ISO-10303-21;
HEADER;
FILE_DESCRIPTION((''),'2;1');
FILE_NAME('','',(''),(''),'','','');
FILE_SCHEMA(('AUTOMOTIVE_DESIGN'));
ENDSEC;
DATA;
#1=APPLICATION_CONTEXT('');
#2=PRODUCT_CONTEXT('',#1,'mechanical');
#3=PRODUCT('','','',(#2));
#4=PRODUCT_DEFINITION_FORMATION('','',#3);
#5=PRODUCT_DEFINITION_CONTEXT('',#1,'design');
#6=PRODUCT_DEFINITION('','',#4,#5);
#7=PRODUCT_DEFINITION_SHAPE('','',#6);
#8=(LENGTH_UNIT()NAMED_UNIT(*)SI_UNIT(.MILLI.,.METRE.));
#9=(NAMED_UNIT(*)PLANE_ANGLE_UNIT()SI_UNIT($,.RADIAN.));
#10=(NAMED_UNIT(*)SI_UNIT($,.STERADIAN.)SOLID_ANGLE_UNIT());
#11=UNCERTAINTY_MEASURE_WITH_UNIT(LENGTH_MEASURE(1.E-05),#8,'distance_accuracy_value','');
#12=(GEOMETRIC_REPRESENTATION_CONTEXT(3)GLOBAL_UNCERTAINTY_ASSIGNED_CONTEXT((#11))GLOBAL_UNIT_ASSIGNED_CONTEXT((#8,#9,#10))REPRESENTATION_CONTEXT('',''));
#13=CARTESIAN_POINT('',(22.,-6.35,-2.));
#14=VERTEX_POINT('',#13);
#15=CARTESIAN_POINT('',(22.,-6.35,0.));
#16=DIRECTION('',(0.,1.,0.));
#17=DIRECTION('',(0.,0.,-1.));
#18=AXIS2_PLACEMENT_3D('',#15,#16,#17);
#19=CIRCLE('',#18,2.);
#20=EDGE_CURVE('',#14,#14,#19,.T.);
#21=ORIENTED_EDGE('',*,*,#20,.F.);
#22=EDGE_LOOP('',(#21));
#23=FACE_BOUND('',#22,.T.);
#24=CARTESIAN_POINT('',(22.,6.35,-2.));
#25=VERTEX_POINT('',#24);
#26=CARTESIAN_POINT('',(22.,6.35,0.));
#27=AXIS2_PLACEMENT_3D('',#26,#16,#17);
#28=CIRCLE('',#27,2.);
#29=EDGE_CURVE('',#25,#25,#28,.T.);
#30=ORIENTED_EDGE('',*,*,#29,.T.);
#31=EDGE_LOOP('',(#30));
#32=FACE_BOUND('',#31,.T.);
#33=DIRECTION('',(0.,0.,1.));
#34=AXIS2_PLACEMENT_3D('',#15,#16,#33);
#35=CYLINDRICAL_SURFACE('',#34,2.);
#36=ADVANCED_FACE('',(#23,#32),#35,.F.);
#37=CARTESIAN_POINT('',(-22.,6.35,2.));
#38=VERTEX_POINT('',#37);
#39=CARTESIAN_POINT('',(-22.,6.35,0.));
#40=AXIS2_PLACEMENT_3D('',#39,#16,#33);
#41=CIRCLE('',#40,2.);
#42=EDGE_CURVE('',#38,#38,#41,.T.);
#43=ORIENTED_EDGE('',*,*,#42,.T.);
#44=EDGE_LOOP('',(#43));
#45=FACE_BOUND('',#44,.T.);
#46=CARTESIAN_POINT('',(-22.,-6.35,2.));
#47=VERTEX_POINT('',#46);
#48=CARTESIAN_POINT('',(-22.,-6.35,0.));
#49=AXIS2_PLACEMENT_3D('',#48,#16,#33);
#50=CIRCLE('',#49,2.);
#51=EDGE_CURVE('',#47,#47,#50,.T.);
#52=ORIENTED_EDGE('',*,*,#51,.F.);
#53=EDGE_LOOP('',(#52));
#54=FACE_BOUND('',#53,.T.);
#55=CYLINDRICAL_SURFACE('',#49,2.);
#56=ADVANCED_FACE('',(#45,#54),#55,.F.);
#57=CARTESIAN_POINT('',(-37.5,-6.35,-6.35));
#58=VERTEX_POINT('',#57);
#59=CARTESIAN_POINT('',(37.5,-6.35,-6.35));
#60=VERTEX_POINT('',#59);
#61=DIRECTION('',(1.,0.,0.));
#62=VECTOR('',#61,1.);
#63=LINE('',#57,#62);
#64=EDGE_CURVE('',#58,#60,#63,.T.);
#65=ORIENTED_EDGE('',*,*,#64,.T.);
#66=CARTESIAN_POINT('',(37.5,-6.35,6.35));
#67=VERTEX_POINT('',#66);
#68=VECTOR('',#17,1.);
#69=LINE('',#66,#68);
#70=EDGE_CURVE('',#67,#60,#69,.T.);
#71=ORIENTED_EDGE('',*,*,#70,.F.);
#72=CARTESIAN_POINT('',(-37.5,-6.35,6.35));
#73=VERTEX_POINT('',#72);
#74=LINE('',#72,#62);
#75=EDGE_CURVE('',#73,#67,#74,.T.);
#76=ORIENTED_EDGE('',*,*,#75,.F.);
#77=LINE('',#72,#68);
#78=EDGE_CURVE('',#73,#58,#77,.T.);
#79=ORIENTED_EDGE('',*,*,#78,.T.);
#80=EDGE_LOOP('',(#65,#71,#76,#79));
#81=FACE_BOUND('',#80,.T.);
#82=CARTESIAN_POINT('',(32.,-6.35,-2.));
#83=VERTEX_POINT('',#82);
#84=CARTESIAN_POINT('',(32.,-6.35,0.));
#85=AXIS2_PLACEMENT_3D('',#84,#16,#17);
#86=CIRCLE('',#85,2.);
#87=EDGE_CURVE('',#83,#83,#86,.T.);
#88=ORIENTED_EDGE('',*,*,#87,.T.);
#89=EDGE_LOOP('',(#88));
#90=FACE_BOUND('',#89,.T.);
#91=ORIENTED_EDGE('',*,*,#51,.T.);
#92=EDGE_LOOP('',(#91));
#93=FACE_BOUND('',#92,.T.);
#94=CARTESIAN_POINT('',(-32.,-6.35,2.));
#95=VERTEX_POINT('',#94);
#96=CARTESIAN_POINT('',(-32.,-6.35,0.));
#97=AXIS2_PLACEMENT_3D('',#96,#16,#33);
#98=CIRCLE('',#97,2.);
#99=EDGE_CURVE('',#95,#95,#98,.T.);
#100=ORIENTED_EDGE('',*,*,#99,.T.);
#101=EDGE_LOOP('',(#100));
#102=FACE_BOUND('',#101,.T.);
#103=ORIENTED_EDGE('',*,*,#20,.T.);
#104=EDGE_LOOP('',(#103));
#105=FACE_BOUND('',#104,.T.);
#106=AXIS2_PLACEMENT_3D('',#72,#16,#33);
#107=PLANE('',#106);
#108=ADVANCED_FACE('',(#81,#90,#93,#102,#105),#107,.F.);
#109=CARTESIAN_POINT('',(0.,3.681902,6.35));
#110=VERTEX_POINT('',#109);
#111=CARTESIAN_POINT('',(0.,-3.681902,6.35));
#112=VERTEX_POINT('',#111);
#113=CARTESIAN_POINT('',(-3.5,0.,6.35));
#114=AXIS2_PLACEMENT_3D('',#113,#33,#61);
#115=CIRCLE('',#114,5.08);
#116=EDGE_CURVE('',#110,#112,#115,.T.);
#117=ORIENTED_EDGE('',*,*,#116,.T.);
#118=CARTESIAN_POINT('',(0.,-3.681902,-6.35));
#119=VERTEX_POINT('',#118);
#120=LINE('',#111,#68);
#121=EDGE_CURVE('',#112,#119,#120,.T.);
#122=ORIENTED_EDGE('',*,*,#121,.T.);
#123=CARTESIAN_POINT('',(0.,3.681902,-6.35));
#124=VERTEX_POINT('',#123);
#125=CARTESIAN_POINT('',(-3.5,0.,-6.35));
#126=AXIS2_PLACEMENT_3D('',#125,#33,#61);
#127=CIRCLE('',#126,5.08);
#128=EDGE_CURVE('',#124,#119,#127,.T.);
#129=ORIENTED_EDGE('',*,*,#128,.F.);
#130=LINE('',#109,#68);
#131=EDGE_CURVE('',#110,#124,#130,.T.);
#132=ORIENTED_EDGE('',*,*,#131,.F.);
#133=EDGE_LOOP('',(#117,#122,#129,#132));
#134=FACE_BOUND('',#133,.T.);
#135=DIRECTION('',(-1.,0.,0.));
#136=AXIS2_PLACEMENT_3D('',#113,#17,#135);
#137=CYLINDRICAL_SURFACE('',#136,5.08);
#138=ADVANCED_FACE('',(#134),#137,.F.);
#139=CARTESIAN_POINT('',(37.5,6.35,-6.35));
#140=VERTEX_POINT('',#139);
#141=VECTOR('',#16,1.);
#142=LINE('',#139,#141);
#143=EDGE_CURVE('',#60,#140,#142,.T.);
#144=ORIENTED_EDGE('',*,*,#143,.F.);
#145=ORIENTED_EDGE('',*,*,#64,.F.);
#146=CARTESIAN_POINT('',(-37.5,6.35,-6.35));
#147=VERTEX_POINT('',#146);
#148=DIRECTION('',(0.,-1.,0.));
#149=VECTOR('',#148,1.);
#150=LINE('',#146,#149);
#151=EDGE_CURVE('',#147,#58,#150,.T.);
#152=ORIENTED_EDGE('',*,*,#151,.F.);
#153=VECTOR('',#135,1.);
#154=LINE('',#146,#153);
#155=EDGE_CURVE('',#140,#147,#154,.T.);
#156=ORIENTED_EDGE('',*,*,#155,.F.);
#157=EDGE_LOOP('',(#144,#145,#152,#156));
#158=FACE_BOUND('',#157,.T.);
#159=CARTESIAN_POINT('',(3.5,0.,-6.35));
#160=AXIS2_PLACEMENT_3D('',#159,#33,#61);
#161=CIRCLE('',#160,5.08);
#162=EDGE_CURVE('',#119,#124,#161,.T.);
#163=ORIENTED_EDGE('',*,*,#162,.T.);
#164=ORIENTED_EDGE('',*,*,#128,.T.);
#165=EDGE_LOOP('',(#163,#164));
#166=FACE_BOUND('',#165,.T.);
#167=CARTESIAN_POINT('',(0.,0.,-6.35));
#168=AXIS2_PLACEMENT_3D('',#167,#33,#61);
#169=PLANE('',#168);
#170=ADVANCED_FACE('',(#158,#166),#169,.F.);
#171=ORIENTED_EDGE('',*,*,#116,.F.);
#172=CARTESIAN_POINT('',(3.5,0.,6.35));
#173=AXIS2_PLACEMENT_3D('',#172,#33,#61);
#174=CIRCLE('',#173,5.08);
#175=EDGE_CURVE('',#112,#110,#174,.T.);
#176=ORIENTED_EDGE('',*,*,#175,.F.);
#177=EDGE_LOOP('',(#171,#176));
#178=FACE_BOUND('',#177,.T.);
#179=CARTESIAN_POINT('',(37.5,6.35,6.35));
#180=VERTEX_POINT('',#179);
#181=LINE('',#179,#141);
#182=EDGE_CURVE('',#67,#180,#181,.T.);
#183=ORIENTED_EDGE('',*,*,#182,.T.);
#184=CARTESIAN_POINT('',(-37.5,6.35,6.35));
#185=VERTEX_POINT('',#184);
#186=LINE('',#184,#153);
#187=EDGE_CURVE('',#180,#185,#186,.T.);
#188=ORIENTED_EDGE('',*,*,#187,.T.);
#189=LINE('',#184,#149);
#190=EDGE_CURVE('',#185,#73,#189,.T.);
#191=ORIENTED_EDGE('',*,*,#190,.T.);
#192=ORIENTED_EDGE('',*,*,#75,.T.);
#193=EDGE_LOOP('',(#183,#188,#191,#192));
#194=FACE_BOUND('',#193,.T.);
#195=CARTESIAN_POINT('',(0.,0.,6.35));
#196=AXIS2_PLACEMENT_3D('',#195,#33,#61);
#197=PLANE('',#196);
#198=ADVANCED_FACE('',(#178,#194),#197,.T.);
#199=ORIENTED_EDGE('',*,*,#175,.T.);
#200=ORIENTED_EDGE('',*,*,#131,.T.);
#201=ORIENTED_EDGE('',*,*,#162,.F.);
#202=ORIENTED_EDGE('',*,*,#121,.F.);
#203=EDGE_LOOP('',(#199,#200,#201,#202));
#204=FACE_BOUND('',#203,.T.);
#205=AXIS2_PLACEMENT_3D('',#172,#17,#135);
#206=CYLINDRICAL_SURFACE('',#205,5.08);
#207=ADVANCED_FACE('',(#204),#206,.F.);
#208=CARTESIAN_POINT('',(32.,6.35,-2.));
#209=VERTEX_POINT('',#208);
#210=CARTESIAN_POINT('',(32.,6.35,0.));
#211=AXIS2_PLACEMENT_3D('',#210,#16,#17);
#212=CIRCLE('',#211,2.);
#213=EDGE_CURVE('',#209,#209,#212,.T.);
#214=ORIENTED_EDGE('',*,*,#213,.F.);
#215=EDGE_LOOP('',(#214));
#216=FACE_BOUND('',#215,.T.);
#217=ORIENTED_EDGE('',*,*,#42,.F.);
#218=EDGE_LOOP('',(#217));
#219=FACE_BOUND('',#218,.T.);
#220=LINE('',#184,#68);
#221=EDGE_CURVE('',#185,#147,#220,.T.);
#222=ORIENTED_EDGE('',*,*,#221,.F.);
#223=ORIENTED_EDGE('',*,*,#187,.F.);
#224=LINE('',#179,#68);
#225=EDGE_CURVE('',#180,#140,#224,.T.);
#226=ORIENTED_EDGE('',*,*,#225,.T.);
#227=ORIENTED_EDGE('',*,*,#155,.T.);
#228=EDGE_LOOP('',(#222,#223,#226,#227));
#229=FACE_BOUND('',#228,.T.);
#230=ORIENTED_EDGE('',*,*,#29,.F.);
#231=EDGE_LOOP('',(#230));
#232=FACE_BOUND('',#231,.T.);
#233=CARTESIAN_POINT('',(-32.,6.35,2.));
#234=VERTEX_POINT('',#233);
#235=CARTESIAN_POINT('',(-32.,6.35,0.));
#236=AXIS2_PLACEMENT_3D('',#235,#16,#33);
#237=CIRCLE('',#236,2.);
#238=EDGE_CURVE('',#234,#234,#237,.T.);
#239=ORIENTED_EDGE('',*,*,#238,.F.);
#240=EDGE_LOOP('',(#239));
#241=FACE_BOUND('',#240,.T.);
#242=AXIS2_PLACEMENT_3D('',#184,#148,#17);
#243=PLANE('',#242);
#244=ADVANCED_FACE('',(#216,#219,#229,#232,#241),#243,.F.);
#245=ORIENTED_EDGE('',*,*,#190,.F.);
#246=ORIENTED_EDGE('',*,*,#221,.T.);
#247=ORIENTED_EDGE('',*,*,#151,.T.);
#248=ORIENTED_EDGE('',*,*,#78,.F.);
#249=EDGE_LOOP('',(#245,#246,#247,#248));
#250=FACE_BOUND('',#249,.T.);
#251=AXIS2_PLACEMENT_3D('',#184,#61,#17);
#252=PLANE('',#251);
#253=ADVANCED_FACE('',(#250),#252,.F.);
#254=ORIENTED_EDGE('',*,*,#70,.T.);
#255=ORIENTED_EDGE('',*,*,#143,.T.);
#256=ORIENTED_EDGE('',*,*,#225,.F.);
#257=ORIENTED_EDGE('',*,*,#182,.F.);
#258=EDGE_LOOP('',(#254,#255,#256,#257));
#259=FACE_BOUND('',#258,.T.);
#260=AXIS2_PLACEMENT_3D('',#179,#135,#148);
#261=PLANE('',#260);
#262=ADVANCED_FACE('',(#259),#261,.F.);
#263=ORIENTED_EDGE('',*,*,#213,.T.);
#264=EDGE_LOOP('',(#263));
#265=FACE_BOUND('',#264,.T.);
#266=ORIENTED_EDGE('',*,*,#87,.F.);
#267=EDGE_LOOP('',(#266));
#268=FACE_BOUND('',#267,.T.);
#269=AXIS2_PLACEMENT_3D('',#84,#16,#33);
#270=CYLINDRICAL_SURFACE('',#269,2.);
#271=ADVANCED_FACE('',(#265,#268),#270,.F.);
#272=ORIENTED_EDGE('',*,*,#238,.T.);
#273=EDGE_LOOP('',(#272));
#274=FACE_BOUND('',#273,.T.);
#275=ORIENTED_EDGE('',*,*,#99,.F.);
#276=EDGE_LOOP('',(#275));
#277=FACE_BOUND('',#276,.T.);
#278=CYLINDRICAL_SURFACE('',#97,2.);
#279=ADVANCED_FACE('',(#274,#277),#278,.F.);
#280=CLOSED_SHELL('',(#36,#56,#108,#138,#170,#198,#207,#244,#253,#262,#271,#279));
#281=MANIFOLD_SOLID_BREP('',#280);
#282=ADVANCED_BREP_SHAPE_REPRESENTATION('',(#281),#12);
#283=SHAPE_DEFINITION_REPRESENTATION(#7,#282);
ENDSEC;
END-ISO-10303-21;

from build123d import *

# Parameters (mm, degrees)
SKETCH1_W               = 75
SKETCH1_H               = 12.7
LOADCELL_DEPTH          = 6.35
SKETCH2_R               = 2
CUT_EXTRUDE1_DEPTH      = 7.35
CUT_EXTRUDE1_DEPTH_BACK = 7.35


with BuildPart() as part:
    # Sketch1 → LoadCell (new body, symmetric)
    with BuildSketch(Plane.XY):
        Rectangle(SKETCH1_W, SKETCH1_H)
        with BuildLine():
            ThreePointArc((0, 3.681901683), (-8.58, 0), (0, -3.681901683))
            ThreePointArc((0, -3.681901683), (8.58, 0), (0, 3.681901683))
        make_face(mode=Mode.SUBTRACT)
    extrude(amount=LOADCELL_DEPTH, both=True)

    # Sketch2 → Cut-Extrude1 (cut, two sides)
    with BuildSketch(Plane(origin=(0, 0, 0), x_dir=(1, 0, 0), z_dir=(0, 1, 0))) as cut_extrude1_sk:
        with Locations((-31.999999942, 0)):
            Circle(SKETCH2_R)
        with Locations((-21.999999942, 0)):
            Circle(SKETCH2_R)
        with Locations((31.999999942, 0)):
            Circle(SKETCH2_R)
        with Locations((21.999999942, 0)):
            Circle(SKETCH2_R)
    extrude(amount=CUT_EXTRUDE1_DEPTH, mode=Mode.SUBTRACT)
    extrude(cut_extrude1_sk.sketch, amount=-CUT_EXTRUDE1_DEPTH_BACK, mode=Mode.SUBTRACT)


solid = part.part
